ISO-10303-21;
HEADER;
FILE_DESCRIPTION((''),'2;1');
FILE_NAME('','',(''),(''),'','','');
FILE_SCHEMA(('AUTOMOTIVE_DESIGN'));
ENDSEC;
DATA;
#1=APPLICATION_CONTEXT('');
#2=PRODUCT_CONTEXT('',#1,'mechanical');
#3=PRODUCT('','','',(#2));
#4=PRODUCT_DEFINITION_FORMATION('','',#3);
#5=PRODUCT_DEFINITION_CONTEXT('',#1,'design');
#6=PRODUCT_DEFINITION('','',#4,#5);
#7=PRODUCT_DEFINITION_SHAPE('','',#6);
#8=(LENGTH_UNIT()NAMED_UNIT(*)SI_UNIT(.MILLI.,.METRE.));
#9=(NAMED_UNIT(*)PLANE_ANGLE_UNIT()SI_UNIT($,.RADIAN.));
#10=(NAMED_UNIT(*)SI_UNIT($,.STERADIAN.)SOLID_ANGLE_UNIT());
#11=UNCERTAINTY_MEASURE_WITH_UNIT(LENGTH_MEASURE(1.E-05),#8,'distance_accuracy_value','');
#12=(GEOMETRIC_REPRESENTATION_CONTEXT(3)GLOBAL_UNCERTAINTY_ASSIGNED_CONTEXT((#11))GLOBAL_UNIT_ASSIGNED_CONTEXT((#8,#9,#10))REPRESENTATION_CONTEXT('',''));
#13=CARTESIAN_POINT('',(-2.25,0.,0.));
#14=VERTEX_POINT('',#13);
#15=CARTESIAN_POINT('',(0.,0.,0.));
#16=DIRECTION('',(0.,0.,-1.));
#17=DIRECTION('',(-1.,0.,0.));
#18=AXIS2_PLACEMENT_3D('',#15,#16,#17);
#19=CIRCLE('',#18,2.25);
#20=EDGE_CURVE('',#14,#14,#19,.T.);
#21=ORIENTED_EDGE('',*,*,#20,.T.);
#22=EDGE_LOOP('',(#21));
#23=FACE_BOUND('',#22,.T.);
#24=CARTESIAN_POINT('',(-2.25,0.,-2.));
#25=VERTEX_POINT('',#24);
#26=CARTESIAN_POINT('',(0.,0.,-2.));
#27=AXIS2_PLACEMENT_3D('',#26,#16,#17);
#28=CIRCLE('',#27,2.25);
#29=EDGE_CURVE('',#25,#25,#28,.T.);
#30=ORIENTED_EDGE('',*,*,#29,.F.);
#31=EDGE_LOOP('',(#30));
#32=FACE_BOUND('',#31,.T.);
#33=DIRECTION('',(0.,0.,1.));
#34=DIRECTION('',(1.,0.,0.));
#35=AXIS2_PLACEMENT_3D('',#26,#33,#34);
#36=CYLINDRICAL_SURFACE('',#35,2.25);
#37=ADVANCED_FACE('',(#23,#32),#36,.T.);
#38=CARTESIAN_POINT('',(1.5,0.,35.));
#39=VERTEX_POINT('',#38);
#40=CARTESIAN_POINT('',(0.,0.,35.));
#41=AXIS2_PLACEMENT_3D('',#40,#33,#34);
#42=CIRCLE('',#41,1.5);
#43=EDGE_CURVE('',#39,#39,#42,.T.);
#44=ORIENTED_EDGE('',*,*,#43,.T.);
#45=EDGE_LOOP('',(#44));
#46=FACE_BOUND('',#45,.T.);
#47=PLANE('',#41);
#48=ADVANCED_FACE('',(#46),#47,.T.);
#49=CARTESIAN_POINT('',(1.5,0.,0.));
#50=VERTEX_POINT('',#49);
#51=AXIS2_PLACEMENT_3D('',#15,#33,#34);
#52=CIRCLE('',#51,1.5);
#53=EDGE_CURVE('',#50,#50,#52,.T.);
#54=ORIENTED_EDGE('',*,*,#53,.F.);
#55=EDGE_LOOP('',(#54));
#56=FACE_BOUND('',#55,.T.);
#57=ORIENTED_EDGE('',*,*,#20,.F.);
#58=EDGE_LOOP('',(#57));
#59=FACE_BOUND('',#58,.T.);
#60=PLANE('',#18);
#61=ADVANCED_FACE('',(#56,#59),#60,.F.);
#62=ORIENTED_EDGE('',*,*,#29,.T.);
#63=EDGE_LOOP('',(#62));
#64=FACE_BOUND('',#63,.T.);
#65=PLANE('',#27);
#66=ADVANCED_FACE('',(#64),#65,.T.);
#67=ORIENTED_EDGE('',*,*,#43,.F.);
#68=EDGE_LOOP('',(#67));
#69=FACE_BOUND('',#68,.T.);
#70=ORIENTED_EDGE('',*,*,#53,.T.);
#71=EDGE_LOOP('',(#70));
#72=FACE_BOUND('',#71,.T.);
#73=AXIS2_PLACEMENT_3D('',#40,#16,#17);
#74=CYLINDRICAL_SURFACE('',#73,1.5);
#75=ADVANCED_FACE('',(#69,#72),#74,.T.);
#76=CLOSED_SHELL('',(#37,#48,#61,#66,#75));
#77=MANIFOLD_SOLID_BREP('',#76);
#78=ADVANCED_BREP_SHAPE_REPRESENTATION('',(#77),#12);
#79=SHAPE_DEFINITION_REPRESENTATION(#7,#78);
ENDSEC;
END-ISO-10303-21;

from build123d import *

# Parameters (mm, degrees)
SKETCH2_R           = 1.5
BOSS_EXTRUDE1_DEPTH = 35
SKETCH3_R           = 2.25
BOSS_EXTRUDE2_DEPTH = 2


with BuildPart() as part:
    # Sketch2 → Boss-Extrude1 (new body)
    with BuildSketch(Plane.XY):
        Circle(SKETCH2_R)
    extrude(amount=BOSS_EXTRUDE1_DEPTH)

    # Sketch3 → Boss-Extrude2 (add)
    with BuildSketch(Plane(origin=(0, 0, 0), x_dir=(-1, 0, 0), z_dir=(0, 0, -1))):
        Circle(SKETCH3_R)
    extrude(amount=BOSS_EXTRUDE2_DEPTH)


solid = part.part
